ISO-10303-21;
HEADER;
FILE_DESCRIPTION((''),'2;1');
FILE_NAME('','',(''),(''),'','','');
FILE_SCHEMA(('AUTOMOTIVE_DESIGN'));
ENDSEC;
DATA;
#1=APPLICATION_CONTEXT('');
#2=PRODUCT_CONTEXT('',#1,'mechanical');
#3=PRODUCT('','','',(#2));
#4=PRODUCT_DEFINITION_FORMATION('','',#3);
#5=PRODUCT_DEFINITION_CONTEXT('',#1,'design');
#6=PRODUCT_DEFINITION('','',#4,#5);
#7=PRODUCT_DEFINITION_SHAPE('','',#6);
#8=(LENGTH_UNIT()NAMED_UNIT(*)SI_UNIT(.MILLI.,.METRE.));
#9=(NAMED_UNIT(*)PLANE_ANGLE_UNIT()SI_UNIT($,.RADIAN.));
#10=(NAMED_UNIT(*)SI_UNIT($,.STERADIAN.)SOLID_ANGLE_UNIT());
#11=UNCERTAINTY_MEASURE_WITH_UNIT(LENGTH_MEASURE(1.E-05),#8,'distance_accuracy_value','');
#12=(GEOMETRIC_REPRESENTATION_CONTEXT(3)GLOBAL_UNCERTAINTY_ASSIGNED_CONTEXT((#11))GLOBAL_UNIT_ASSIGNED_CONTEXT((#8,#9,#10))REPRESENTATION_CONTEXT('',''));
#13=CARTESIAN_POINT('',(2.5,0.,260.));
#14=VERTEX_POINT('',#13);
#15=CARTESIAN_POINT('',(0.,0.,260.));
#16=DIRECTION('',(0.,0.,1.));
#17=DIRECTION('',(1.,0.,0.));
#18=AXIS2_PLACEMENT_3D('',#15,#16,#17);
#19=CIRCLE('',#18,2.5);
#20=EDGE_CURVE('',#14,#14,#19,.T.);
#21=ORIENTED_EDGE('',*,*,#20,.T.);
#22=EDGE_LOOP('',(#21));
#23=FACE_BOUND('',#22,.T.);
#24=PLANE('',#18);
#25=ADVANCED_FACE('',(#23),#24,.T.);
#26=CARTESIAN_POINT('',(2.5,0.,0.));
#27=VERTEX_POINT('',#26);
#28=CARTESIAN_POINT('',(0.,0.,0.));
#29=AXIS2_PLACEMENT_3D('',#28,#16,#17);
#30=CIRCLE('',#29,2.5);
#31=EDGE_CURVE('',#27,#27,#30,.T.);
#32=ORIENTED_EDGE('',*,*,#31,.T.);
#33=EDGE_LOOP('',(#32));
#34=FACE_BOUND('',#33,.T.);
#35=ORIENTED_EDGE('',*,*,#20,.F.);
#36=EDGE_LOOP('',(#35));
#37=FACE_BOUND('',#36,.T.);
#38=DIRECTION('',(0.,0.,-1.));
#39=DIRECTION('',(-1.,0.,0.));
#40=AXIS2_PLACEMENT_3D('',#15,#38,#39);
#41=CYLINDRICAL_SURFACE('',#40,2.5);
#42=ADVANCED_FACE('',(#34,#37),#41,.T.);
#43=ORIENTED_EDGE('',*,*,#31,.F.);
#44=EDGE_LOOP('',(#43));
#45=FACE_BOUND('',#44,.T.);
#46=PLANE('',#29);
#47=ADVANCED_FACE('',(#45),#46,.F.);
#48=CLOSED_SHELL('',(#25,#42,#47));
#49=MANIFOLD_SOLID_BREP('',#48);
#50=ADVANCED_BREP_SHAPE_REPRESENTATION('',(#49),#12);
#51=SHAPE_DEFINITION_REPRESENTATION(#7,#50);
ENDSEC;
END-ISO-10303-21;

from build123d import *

# Parameters (mm, degrees)
SKETCH1_R           = 2.5
BOSS_EXTRUDE1_DEPTH = 260


with BuildPart() as part:
    # Sketch1 → Boss-Extrude1 (new body)
    with BuildSketch(Plane.XY):
        Circle(SKETCH1_R)
    extrude(amount=BOSS_EXTRUDE1_DEPTH)


solid = part.part
